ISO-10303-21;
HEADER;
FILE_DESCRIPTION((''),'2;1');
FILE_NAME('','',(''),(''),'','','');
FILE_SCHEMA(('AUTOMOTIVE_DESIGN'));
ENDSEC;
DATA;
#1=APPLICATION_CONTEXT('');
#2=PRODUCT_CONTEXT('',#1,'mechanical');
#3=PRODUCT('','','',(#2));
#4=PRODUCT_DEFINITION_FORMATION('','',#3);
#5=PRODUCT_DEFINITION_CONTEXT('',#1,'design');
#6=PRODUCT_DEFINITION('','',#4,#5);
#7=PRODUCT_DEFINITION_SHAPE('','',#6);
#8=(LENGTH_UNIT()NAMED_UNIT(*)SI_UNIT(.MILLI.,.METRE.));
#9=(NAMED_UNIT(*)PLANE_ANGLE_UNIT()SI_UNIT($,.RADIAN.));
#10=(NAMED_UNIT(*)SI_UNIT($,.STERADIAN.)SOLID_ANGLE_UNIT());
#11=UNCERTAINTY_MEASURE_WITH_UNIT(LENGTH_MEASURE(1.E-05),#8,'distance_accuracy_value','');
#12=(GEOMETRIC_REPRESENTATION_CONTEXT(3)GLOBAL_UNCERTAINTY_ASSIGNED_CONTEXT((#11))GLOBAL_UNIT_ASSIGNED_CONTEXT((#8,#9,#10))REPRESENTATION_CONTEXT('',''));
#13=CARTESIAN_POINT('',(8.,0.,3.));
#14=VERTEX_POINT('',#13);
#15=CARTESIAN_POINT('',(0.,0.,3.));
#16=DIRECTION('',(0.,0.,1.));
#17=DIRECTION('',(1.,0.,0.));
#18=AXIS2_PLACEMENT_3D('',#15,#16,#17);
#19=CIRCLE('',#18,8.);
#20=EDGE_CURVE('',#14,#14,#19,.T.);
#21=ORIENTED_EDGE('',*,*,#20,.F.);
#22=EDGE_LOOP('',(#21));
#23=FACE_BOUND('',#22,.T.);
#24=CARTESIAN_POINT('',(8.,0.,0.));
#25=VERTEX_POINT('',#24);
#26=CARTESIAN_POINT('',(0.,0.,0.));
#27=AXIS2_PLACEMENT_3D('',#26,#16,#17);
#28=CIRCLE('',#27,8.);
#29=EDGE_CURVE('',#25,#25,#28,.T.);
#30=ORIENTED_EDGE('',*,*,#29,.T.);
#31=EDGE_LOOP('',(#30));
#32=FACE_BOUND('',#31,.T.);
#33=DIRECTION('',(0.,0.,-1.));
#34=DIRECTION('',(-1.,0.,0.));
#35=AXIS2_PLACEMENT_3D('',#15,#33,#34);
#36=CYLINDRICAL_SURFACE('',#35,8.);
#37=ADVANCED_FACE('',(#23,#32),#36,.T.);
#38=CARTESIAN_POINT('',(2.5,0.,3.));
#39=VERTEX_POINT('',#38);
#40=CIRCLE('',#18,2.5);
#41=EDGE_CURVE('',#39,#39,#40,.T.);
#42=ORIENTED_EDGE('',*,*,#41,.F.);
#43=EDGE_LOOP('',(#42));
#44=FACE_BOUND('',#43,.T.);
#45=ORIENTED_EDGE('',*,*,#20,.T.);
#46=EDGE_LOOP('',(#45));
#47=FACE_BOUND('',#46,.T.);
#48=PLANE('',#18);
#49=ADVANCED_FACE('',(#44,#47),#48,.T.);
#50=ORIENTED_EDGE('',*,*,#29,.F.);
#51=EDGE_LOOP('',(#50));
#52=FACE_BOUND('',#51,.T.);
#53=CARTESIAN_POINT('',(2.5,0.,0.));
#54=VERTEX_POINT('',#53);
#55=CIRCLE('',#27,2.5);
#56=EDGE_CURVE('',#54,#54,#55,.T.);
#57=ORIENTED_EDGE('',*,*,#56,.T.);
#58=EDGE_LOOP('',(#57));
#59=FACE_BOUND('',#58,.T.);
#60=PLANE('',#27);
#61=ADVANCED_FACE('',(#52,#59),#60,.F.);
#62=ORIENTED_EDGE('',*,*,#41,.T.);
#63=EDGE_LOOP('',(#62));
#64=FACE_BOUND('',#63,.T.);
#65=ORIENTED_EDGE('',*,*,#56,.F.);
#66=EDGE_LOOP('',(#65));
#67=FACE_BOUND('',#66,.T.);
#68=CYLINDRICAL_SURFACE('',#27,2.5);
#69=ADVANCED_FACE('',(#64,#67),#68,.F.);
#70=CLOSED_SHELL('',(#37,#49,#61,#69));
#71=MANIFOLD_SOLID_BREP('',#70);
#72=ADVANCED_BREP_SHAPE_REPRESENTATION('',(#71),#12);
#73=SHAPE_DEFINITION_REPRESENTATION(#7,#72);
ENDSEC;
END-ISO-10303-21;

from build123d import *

# Parameters (mm, degrees)
SKETCH1_R           = 8
BOSS_EXTRUDE1_DEPTH = 3
SKETCH2_R           = 2.5
CUT_EXTRUDE1_DEPTH  = 3


with BuildPart() as part:
    # Sketch1 → Boss-Extrude1 (new body)
    with BuildSketch(Plane.XY):
        Circle(SKETCH1_R)
    extrude(amount=BOSS_EXTRUDE1_DEPTH)

    # Sketch2 → Cut-Extrude1 (cut)
    with BuildSketch(Plane.XY.offset(3)):
        Circle(SKETCH2_R)
    extrude(amount=-CUT_EXTRUDE1_DEPTH, mode=Mode.SUBTRACT)


solid = part.part
